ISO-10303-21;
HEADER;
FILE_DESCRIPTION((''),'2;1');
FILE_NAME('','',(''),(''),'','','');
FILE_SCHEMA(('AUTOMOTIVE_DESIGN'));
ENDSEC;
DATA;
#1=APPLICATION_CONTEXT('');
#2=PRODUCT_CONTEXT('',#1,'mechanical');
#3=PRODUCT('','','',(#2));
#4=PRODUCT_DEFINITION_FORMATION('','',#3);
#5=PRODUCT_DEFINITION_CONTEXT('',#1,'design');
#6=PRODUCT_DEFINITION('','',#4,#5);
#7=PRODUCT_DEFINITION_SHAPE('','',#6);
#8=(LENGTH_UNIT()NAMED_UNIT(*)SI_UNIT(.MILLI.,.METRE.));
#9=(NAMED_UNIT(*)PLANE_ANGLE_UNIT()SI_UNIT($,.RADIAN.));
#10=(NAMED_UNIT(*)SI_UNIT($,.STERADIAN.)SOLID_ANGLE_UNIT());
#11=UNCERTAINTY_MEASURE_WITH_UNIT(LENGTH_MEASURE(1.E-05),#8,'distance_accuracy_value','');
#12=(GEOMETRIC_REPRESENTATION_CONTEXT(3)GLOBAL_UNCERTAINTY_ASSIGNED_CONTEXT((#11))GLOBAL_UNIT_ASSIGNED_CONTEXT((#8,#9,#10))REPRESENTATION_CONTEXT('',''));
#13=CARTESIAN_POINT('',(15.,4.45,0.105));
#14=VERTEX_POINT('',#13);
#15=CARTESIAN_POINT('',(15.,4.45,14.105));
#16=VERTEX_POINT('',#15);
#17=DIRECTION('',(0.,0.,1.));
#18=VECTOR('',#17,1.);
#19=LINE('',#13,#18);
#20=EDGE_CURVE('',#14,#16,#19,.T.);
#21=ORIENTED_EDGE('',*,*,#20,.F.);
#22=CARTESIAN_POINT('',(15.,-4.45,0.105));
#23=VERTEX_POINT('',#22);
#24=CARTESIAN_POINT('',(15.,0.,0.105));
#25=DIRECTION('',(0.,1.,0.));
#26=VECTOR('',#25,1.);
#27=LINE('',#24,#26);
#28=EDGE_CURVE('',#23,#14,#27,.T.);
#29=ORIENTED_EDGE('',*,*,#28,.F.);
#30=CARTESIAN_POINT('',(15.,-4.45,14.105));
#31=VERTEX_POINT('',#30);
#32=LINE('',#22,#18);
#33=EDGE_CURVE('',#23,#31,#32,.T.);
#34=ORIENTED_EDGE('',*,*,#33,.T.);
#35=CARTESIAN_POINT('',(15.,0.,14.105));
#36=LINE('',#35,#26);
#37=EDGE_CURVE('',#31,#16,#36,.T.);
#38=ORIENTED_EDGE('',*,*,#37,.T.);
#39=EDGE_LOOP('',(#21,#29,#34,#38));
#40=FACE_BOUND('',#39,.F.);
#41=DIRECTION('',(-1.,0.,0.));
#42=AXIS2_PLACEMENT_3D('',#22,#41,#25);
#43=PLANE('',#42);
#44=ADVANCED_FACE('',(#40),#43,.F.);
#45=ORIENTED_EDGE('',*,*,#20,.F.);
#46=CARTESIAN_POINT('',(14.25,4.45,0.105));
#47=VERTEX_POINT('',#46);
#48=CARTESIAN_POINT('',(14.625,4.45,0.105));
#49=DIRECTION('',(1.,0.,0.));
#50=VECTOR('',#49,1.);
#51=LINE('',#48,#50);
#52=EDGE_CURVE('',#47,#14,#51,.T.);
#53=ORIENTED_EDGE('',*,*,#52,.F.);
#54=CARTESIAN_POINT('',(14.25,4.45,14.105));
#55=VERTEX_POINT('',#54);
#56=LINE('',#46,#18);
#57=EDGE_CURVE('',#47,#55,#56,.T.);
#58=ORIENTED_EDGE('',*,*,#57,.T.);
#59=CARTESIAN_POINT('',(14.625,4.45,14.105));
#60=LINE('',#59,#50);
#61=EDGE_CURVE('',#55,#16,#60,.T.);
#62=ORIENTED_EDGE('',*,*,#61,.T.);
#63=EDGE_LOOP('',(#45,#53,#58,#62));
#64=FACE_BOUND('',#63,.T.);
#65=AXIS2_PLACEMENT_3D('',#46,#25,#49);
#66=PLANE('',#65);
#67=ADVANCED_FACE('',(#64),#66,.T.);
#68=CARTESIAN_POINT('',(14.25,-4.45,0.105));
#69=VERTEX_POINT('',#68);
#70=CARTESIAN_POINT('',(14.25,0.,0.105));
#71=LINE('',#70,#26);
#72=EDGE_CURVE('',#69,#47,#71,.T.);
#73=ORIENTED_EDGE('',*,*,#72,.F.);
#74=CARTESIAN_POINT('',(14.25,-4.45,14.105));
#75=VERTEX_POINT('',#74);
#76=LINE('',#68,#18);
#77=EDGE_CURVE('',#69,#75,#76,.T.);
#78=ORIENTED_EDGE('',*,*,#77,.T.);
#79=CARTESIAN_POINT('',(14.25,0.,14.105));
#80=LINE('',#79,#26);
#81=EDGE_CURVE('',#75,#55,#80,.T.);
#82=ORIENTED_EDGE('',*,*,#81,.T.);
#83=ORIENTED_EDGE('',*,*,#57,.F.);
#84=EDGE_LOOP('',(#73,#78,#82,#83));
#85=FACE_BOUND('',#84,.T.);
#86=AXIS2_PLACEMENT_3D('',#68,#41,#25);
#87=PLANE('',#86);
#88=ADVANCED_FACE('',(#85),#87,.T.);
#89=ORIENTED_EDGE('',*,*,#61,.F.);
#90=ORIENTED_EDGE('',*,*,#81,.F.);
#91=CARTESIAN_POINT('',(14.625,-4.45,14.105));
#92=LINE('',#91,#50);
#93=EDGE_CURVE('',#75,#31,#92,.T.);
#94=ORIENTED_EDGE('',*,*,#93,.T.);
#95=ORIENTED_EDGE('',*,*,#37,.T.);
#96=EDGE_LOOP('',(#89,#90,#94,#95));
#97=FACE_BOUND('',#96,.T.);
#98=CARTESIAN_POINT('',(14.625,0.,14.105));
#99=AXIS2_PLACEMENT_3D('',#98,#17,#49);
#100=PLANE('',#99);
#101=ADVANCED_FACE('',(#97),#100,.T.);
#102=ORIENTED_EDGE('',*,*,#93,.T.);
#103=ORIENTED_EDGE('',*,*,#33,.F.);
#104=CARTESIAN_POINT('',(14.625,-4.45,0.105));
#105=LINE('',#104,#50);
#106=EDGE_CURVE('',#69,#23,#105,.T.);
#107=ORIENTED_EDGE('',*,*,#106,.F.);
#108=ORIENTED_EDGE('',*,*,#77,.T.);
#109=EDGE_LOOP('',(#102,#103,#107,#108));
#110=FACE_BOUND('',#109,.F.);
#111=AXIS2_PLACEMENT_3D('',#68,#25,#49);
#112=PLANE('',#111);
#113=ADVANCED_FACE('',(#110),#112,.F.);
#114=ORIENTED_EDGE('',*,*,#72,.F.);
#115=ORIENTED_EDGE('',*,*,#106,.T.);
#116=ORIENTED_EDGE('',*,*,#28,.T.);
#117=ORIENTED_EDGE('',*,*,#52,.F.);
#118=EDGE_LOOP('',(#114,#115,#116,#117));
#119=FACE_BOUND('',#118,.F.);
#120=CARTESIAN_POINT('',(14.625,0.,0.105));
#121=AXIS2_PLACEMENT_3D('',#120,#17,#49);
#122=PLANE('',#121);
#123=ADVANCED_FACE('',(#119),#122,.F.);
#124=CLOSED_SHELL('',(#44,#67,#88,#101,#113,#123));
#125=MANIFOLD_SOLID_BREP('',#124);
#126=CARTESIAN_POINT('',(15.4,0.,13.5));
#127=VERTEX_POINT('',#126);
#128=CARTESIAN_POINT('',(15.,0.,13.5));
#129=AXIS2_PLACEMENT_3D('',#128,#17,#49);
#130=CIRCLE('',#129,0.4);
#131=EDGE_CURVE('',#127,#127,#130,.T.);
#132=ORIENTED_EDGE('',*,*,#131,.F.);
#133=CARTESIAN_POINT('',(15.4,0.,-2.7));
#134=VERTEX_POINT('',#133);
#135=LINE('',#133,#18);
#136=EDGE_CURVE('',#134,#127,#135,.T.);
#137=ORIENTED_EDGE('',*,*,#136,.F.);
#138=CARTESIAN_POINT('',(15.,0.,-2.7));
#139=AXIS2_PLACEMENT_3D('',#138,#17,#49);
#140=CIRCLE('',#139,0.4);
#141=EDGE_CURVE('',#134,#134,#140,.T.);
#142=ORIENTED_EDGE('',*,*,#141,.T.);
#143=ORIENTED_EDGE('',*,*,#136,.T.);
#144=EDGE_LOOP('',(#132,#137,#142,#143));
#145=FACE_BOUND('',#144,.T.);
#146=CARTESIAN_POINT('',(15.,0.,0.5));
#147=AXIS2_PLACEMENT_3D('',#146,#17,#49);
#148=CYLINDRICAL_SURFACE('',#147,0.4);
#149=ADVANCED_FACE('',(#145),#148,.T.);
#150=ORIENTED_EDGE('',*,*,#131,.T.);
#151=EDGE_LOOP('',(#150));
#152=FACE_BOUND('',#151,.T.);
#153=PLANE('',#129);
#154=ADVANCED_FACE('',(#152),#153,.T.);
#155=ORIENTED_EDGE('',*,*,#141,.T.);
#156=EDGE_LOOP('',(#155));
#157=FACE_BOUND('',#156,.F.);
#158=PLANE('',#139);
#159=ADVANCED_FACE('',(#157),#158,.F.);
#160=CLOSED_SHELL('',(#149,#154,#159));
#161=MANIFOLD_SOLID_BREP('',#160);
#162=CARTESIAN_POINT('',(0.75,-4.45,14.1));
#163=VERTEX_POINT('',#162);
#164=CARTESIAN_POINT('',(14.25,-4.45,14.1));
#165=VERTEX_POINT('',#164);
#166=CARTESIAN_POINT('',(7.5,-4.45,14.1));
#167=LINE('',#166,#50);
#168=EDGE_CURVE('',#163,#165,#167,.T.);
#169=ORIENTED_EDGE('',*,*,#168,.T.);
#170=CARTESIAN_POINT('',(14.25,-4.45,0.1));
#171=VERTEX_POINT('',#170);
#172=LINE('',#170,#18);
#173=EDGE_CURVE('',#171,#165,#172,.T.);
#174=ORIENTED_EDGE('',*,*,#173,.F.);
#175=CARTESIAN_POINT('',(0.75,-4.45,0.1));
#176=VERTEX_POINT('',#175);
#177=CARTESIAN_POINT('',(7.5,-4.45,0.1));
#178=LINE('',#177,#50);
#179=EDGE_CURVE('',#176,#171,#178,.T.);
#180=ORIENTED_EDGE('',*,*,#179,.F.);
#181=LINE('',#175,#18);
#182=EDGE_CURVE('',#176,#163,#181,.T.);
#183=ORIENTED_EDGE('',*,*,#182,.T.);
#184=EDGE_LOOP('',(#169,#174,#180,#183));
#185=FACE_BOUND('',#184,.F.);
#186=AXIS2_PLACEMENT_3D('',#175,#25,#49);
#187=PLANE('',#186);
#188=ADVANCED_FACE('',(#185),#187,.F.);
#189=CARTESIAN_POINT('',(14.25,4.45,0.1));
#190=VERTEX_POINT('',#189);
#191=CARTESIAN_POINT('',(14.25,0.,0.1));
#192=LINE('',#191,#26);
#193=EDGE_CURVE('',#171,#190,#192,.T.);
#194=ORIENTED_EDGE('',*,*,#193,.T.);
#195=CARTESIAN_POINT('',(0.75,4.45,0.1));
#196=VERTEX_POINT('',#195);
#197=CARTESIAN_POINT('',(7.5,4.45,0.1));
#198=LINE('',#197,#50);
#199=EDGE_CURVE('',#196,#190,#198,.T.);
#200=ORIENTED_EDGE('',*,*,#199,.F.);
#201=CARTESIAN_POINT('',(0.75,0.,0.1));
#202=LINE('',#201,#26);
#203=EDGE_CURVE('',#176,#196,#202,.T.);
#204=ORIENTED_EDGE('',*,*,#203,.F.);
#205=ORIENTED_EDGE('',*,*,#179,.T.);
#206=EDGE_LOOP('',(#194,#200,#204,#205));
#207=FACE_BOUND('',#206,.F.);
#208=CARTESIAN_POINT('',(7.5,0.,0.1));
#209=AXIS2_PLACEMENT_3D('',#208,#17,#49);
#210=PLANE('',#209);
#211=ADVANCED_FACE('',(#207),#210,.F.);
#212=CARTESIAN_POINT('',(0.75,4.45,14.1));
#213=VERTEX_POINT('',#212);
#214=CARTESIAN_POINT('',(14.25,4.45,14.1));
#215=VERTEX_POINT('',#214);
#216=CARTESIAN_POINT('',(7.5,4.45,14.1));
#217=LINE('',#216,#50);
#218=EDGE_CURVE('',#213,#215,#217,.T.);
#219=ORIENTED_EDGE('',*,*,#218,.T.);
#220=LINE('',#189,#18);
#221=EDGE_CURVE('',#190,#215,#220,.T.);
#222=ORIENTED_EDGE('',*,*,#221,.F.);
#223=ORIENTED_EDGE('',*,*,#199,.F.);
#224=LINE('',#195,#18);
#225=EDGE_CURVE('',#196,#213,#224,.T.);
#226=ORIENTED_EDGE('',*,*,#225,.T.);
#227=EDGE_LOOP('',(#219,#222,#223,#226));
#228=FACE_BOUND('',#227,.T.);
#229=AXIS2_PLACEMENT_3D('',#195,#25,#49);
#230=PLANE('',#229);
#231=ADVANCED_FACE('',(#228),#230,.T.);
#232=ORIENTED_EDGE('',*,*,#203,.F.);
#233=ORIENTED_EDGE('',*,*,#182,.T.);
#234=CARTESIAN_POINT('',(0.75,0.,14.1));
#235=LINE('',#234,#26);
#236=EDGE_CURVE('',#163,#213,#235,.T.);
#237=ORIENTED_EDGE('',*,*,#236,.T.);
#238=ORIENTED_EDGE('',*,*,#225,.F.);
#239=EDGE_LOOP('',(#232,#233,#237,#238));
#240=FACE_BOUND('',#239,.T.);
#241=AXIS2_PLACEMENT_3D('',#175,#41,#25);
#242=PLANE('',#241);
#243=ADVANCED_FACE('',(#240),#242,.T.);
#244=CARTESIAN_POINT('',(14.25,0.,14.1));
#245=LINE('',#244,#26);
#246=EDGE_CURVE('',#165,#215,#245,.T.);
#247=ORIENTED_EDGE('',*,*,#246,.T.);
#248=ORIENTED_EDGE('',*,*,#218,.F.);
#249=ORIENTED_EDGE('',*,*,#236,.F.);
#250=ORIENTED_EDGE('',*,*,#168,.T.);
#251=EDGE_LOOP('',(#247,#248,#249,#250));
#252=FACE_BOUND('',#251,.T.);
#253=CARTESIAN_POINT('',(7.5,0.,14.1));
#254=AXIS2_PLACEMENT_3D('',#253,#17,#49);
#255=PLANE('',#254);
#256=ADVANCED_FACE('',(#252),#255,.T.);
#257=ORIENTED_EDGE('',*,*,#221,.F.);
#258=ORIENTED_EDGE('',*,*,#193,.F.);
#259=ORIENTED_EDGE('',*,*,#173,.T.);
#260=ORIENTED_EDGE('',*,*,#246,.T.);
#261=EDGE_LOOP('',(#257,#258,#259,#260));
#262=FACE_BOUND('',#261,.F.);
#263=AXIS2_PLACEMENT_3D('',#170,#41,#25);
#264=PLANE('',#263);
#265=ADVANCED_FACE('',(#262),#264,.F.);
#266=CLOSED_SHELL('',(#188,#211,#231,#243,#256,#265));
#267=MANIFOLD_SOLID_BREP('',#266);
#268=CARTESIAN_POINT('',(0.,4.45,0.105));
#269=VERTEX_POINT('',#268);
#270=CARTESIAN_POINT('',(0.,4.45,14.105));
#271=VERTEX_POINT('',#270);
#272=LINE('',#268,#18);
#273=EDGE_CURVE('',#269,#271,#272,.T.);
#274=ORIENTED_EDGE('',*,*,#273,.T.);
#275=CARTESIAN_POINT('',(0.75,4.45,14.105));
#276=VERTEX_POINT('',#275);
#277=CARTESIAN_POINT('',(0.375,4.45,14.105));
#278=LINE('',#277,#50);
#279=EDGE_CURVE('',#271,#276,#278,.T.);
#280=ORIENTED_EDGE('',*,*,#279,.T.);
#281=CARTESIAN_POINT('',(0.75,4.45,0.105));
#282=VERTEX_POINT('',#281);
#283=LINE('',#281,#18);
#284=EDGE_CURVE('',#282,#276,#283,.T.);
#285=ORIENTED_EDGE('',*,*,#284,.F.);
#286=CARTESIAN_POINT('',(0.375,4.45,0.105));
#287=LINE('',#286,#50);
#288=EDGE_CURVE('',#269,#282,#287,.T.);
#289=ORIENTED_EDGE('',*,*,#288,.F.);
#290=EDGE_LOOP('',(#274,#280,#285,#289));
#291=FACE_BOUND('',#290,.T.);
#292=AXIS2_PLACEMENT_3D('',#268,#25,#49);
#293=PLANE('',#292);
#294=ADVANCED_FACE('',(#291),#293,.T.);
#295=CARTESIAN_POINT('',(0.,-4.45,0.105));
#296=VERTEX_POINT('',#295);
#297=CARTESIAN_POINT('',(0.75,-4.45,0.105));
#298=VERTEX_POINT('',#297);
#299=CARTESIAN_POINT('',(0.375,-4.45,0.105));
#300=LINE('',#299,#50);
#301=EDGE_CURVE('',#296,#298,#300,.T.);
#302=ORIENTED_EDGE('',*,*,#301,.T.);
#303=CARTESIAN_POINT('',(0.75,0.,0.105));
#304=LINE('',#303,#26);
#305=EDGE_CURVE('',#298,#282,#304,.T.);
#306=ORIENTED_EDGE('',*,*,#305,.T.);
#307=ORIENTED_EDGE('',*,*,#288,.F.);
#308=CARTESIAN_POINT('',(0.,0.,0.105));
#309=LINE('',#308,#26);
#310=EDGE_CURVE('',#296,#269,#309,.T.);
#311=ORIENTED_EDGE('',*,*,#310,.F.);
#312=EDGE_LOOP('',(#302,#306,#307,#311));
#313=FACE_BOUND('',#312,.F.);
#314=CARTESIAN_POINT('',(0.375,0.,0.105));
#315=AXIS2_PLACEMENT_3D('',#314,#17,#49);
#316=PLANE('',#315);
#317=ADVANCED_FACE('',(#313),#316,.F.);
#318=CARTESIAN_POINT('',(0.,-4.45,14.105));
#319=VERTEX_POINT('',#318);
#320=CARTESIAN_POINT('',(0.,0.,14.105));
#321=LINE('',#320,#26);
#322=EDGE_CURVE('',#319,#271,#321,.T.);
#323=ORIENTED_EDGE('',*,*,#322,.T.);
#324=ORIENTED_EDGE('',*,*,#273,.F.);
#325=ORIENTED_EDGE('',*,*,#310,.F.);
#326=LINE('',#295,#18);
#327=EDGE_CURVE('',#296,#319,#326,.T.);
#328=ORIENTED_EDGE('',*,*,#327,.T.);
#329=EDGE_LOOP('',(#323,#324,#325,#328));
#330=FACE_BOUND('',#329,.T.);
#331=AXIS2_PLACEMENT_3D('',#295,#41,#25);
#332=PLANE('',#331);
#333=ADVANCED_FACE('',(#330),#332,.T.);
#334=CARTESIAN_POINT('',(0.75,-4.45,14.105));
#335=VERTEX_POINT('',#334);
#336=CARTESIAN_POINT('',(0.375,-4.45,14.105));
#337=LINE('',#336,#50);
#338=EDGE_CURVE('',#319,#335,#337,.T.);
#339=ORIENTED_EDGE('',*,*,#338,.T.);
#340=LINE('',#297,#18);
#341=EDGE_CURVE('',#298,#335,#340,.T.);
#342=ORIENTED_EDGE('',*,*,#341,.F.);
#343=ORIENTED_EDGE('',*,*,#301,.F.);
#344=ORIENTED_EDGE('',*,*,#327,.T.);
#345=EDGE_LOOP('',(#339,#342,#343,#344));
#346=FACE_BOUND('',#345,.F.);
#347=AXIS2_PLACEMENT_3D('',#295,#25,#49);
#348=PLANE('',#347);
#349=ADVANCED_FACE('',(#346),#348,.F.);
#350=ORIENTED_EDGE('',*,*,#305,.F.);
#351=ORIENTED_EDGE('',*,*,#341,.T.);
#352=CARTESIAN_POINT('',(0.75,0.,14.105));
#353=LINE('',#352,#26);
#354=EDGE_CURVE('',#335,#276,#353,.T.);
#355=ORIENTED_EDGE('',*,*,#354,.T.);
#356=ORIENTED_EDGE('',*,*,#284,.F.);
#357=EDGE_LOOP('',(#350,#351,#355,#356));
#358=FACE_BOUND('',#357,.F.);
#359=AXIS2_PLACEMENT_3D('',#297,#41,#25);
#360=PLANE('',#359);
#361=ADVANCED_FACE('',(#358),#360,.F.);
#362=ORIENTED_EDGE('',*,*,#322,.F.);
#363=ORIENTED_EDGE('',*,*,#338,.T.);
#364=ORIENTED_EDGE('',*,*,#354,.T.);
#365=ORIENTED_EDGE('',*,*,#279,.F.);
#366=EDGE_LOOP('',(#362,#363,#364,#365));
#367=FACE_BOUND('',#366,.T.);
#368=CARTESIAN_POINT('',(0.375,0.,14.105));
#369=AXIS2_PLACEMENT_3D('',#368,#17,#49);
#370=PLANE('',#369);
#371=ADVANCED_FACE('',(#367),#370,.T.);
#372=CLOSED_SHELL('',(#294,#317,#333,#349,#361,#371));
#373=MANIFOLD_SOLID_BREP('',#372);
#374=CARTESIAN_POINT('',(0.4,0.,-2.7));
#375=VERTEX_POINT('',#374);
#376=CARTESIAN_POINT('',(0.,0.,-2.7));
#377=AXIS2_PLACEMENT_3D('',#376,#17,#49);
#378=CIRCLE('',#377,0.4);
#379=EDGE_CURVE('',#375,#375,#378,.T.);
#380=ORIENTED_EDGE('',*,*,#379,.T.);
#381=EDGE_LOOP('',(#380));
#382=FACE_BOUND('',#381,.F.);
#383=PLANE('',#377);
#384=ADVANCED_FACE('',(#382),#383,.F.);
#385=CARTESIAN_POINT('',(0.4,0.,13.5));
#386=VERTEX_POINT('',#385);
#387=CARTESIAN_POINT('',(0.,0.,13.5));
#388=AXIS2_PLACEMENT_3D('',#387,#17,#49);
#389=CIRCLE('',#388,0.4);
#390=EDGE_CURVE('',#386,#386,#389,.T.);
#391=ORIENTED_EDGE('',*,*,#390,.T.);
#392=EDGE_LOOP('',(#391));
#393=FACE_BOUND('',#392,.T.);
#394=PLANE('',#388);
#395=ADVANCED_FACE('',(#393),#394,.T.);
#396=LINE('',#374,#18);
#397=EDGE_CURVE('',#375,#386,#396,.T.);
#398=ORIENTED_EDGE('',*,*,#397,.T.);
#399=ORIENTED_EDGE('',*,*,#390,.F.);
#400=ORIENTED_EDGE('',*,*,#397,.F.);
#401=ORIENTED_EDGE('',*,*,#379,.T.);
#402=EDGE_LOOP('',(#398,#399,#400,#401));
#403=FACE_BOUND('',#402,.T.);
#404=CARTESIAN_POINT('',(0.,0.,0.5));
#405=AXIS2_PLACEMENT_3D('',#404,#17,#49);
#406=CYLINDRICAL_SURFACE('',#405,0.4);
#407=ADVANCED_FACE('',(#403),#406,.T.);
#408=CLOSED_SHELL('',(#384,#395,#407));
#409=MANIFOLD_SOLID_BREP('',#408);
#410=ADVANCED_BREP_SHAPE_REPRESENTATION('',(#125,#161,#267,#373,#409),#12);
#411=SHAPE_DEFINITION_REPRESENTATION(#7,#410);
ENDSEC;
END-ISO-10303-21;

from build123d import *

# Parameters (mm, degrees)
SKETCH_W          = 13.5
SKETCH_H          = 8.9
PAD_DEPTH         = 14
SKETCH001_R       = 0.4
PAD001_DEPTH      = 13
PAD001_DEPTH_BACK = 3.2
SKETCH002_W       = 0.75
SKETCH002_H       = 8.9
PAD002_DEPTH      = 14


with BuildPart() as pad:
    # Sketch → Pad (new body)
    with BuildSketch(Plane.XY.offset(0.1)):
        with Locations((7.5, 0)):
            Rectangle(SKETCH_W, SKETCH_H)
    extrude(amount=PAD_DEPTH)


with BuildPart() as pad001:
    # Sketch001 → Pad001 (new body, two sides)
    with BuildSketch(Plane.XY.offset(0.5)) as pad001_sk:
        Circle(SKETCH001_R)
        with Locations((15, 0)):
            Circle(SKETCH001_R)
    extrude(amount=PAD001_DEPTH)
    extrude(pad001_sk.sketch, amount=-PAD001_DEPTH_BACK)


with BuildPart() as pad002:
    # Sketch002 → Pad002 (new body)
    with BuildSketch(Plane.XY.offset(0.105)):
        with Locations((0.375, 0)):
            Rectangle(SKETCH002_W, SKETCH002_H)
        with Locations((14.625, 0)):
            Rectangle(SKETCH002_W, SKETCH002_H)
    extrude(amount=PAD002_DEPTH)


solid = Compound([pad.part, pad001.part, pad002.part])
